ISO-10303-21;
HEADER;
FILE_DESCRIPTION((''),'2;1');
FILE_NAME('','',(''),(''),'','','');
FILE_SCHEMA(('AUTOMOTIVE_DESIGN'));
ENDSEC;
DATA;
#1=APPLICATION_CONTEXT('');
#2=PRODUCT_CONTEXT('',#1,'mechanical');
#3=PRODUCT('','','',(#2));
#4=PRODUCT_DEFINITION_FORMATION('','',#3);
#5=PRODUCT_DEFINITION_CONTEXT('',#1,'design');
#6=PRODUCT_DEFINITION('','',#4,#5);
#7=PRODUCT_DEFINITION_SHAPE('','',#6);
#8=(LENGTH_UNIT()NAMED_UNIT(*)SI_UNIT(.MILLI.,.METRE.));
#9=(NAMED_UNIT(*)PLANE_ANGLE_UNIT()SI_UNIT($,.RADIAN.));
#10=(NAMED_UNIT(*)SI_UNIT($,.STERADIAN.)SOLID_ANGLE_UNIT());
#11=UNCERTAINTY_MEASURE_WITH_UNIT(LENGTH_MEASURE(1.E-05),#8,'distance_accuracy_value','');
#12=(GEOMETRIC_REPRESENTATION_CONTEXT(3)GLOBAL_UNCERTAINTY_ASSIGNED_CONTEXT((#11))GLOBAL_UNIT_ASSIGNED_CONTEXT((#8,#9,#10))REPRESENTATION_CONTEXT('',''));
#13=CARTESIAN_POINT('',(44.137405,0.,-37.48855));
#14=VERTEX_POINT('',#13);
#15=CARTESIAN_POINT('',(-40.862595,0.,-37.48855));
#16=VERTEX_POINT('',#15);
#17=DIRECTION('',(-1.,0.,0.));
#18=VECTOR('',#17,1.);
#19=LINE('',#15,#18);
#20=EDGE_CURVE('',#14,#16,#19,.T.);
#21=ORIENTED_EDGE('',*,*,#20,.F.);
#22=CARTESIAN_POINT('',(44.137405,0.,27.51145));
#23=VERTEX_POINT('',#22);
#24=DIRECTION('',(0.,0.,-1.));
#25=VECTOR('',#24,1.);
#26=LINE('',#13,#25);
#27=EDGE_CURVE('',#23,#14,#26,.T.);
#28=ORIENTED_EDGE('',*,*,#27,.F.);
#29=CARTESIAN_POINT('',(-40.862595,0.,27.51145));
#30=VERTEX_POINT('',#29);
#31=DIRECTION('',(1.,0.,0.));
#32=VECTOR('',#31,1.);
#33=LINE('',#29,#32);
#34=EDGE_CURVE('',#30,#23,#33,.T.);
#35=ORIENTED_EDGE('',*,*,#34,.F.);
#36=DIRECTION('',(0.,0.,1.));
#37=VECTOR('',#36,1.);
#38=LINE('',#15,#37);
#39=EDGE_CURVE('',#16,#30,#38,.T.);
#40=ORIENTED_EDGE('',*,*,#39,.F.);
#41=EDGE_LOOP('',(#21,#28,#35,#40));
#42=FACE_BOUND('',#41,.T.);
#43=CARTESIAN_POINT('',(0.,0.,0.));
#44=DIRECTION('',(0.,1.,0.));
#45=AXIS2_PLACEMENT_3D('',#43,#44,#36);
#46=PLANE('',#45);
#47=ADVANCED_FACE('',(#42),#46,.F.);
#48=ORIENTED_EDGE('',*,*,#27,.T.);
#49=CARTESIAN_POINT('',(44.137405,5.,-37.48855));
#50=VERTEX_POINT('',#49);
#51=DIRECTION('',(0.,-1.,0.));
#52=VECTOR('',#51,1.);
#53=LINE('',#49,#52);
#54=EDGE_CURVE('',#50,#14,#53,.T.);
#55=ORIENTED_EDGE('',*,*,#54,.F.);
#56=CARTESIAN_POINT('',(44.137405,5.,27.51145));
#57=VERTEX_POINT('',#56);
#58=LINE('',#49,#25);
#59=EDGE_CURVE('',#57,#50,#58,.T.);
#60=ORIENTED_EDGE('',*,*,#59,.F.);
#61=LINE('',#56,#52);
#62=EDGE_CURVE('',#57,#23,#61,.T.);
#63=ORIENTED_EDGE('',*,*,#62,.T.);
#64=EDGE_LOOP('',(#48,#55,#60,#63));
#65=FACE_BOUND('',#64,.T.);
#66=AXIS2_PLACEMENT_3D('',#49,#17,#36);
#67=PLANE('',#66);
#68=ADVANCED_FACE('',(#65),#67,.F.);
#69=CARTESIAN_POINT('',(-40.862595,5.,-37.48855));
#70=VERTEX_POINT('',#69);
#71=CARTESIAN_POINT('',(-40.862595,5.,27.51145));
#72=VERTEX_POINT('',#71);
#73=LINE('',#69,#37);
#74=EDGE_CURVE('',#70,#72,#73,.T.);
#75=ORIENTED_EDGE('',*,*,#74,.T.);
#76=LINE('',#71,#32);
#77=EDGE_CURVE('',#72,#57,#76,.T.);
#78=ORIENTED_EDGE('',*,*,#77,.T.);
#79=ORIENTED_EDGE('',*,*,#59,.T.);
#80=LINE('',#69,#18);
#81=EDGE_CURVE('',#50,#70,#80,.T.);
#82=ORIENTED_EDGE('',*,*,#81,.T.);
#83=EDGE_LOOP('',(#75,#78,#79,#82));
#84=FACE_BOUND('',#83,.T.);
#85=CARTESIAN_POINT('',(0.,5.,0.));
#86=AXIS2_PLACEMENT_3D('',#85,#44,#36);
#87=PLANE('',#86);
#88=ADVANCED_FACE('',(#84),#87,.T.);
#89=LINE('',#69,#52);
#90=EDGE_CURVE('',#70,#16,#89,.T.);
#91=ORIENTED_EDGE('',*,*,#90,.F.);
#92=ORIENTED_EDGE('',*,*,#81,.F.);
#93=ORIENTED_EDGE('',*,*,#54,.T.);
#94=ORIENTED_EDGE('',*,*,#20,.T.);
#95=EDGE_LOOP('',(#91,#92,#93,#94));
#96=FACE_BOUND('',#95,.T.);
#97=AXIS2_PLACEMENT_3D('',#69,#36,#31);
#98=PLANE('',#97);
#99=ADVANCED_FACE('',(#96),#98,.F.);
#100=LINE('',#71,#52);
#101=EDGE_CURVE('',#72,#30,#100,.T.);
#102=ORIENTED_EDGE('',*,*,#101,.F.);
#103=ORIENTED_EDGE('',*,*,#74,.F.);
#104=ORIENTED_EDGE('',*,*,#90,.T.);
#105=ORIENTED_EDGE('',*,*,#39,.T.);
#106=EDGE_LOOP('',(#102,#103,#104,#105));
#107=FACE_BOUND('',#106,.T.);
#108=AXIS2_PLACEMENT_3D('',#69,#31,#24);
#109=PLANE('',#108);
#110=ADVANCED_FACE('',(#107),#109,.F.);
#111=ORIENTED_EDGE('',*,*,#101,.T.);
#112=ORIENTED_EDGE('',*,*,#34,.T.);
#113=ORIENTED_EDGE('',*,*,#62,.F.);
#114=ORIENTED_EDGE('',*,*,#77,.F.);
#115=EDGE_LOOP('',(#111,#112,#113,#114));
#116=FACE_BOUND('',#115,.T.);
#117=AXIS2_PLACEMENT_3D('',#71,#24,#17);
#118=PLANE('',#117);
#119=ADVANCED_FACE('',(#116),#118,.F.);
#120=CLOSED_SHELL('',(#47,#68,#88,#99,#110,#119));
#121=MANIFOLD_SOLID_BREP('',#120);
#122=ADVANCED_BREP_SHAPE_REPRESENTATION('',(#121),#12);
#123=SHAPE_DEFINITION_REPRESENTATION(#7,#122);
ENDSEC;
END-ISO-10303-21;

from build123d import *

# Parameters (mm, degrees)
CROQUIS1_W              = 85
CROQUIS1_H              = 65
SALIENTE_EXTRUIR1_DEPTH = 5


with BuildPart() as part:
    # Croquis1 → Saliente-Extruir1 (new body)
    with BuildSketch(Plane(origin=(0, 0, 0), x_dir=(1, 0, 0), z_dir=(0, 1, 0))):
        with Locations((1.63740458, 4.988549618)):
            Rectangle(CROQUIS1_W, CROQUIS1_H)
    extrude(amount=SALIENTE_EXTRUIR1_DEPTH)


solid = part.part
